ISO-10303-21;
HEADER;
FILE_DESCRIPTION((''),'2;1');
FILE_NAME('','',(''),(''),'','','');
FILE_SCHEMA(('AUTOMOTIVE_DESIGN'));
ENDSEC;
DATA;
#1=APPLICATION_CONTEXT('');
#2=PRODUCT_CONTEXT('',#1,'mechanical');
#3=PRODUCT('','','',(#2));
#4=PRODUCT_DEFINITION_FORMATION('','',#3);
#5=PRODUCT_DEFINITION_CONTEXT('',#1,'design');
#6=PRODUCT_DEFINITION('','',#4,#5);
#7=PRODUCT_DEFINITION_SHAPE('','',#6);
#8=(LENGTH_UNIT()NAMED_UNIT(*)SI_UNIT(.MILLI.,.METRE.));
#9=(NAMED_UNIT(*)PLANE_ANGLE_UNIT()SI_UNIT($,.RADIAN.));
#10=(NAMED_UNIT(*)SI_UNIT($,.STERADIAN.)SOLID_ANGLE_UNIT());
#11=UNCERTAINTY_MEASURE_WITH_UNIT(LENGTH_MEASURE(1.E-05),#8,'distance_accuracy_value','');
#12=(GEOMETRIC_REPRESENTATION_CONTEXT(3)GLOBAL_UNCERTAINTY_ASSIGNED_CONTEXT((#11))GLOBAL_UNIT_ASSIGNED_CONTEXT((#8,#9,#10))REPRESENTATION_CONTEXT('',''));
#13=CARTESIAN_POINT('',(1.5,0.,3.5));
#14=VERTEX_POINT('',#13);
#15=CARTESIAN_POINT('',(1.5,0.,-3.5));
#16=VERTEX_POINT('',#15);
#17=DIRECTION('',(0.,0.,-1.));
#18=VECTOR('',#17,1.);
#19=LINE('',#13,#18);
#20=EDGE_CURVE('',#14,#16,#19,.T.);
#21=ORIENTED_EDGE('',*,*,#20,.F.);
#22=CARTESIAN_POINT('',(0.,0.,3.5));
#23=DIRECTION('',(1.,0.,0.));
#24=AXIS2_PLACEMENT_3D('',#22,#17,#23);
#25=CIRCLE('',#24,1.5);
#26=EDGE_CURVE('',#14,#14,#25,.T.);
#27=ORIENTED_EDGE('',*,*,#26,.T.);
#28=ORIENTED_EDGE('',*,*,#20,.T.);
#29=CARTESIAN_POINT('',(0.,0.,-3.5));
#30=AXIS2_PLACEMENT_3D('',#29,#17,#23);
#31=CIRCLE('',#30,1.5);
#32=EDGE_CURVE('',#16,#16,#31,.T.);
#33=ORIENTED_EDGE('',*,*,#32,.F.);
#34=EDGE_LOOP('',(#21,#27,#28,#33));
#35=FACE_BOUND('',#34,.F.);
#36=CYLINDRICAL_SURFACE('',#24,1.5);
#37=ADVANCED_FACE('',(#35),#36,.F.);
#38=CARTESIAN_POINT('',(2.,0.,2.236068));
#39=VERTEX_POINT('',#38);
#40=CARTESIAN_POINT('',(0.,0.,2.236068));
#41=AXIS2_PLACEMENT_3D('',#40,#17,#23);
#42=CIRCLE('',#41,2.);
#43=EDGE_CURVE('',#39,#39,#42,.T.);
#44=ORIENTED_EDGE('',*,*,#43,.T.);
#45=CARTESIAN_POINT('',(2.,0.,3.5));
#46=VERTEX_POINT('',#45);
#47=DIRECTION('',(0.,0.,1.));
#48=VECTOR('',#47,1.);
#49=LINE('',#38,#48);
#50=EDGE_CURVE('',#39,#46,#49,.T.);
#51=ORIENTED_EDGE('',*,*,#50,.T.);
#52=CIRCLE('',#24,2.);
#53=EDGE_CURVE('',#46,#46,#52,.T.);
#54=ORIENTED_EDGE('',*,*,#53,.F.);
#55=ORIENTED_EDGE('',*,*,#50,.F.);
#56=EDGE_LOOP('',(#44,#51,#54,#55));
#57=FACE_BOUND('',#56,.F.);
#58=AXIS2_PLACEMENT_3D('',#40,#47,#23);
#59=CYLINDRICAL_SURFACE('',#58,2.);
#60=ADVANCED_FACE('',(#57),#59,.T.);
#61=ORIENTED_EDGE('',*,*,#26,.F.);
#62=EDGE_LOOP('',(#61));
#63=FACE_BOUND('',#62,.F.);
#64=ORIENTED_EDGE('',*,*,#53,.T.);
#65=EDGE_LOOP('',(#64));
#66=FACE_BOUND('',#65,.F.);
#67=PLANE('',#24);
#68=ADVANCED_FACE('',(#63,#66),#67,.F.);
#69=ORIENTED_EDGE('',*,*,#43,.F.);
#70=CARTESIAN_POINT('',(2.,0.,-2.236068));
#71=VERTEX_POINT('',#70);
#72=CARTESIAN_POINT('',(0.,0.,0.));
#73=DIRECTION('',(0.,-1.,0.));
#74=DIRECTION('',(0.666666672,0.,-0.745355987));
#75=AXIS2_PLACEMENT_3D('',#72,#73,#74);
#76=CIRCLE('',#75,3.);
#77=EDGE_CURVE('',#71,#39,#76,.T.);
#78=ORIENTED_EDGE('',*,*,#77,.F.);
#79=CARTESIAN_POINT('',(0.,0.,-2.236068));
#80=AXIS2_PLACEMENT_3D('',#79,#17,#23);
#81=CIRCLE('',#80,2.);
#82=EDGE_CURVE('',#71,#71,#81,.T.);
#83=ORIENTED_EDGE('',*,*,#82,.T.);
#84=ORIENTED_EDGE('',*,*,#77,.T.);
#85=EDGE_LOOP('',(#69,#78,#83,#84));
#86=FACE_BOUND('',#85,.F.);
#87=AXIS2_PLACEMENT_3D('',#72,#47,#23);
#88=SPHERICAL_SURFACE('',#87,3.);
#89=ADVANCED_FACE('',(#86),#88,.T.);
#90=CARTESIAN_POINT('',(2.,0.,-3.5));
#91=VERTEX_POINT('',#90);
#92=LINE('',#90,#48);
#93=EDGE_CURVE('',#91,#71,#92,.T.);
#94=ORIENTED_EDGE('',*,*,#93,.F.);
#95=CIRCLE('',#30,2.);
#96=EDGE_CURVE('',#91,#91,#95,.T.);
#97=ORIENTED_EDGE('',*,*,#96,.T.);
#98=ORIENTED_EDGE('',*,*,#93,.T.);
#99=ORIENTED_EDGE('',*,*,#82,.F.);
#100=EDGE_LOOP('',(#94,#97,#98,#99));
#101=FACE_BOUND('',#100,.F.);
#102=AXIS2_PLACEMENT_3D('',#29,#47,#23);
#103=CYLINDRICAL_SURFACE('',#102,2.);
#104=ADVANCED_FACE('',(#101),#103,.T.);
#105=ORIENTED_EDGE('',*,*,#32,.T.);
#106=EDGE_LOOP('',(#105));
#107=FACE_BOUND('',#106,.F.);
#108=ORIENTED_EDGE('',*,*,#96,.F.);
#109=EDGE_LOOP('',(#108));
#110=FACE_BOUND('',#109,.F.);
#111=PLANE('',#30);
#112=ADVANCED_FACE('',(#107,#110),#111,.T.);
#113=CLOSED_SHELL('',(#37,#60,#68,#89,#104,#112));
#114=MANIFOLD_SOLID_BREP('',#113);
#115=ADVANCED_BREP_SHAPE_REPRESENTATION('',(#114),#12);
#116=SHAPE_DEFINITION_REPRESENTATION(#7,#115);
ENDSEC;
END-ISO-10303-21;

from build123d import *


with BuildPart() as f1:
    # F0 (on Front) → F1 (revolve)
    with BuildSketch(Plane.XZ):
        with BuildLine():
            Line((2, -3.5), (2, -2.236068))
            ThreePointArc((2, -2.236068), (3, 0), (2, 2.236068))
            Line((2, 2.236068), (2, 3.5))
            Line((2, 3.5), (1.5, 3.5))
            Line((1.5, 3.5), (1.5, -3.5))
            Line((1.5, -3.5), (2, -3.5))
        make_face()
    revolve(axis=Axis((0, 0, -1.621335), (0, 0, -1)))


solid = f1.part
